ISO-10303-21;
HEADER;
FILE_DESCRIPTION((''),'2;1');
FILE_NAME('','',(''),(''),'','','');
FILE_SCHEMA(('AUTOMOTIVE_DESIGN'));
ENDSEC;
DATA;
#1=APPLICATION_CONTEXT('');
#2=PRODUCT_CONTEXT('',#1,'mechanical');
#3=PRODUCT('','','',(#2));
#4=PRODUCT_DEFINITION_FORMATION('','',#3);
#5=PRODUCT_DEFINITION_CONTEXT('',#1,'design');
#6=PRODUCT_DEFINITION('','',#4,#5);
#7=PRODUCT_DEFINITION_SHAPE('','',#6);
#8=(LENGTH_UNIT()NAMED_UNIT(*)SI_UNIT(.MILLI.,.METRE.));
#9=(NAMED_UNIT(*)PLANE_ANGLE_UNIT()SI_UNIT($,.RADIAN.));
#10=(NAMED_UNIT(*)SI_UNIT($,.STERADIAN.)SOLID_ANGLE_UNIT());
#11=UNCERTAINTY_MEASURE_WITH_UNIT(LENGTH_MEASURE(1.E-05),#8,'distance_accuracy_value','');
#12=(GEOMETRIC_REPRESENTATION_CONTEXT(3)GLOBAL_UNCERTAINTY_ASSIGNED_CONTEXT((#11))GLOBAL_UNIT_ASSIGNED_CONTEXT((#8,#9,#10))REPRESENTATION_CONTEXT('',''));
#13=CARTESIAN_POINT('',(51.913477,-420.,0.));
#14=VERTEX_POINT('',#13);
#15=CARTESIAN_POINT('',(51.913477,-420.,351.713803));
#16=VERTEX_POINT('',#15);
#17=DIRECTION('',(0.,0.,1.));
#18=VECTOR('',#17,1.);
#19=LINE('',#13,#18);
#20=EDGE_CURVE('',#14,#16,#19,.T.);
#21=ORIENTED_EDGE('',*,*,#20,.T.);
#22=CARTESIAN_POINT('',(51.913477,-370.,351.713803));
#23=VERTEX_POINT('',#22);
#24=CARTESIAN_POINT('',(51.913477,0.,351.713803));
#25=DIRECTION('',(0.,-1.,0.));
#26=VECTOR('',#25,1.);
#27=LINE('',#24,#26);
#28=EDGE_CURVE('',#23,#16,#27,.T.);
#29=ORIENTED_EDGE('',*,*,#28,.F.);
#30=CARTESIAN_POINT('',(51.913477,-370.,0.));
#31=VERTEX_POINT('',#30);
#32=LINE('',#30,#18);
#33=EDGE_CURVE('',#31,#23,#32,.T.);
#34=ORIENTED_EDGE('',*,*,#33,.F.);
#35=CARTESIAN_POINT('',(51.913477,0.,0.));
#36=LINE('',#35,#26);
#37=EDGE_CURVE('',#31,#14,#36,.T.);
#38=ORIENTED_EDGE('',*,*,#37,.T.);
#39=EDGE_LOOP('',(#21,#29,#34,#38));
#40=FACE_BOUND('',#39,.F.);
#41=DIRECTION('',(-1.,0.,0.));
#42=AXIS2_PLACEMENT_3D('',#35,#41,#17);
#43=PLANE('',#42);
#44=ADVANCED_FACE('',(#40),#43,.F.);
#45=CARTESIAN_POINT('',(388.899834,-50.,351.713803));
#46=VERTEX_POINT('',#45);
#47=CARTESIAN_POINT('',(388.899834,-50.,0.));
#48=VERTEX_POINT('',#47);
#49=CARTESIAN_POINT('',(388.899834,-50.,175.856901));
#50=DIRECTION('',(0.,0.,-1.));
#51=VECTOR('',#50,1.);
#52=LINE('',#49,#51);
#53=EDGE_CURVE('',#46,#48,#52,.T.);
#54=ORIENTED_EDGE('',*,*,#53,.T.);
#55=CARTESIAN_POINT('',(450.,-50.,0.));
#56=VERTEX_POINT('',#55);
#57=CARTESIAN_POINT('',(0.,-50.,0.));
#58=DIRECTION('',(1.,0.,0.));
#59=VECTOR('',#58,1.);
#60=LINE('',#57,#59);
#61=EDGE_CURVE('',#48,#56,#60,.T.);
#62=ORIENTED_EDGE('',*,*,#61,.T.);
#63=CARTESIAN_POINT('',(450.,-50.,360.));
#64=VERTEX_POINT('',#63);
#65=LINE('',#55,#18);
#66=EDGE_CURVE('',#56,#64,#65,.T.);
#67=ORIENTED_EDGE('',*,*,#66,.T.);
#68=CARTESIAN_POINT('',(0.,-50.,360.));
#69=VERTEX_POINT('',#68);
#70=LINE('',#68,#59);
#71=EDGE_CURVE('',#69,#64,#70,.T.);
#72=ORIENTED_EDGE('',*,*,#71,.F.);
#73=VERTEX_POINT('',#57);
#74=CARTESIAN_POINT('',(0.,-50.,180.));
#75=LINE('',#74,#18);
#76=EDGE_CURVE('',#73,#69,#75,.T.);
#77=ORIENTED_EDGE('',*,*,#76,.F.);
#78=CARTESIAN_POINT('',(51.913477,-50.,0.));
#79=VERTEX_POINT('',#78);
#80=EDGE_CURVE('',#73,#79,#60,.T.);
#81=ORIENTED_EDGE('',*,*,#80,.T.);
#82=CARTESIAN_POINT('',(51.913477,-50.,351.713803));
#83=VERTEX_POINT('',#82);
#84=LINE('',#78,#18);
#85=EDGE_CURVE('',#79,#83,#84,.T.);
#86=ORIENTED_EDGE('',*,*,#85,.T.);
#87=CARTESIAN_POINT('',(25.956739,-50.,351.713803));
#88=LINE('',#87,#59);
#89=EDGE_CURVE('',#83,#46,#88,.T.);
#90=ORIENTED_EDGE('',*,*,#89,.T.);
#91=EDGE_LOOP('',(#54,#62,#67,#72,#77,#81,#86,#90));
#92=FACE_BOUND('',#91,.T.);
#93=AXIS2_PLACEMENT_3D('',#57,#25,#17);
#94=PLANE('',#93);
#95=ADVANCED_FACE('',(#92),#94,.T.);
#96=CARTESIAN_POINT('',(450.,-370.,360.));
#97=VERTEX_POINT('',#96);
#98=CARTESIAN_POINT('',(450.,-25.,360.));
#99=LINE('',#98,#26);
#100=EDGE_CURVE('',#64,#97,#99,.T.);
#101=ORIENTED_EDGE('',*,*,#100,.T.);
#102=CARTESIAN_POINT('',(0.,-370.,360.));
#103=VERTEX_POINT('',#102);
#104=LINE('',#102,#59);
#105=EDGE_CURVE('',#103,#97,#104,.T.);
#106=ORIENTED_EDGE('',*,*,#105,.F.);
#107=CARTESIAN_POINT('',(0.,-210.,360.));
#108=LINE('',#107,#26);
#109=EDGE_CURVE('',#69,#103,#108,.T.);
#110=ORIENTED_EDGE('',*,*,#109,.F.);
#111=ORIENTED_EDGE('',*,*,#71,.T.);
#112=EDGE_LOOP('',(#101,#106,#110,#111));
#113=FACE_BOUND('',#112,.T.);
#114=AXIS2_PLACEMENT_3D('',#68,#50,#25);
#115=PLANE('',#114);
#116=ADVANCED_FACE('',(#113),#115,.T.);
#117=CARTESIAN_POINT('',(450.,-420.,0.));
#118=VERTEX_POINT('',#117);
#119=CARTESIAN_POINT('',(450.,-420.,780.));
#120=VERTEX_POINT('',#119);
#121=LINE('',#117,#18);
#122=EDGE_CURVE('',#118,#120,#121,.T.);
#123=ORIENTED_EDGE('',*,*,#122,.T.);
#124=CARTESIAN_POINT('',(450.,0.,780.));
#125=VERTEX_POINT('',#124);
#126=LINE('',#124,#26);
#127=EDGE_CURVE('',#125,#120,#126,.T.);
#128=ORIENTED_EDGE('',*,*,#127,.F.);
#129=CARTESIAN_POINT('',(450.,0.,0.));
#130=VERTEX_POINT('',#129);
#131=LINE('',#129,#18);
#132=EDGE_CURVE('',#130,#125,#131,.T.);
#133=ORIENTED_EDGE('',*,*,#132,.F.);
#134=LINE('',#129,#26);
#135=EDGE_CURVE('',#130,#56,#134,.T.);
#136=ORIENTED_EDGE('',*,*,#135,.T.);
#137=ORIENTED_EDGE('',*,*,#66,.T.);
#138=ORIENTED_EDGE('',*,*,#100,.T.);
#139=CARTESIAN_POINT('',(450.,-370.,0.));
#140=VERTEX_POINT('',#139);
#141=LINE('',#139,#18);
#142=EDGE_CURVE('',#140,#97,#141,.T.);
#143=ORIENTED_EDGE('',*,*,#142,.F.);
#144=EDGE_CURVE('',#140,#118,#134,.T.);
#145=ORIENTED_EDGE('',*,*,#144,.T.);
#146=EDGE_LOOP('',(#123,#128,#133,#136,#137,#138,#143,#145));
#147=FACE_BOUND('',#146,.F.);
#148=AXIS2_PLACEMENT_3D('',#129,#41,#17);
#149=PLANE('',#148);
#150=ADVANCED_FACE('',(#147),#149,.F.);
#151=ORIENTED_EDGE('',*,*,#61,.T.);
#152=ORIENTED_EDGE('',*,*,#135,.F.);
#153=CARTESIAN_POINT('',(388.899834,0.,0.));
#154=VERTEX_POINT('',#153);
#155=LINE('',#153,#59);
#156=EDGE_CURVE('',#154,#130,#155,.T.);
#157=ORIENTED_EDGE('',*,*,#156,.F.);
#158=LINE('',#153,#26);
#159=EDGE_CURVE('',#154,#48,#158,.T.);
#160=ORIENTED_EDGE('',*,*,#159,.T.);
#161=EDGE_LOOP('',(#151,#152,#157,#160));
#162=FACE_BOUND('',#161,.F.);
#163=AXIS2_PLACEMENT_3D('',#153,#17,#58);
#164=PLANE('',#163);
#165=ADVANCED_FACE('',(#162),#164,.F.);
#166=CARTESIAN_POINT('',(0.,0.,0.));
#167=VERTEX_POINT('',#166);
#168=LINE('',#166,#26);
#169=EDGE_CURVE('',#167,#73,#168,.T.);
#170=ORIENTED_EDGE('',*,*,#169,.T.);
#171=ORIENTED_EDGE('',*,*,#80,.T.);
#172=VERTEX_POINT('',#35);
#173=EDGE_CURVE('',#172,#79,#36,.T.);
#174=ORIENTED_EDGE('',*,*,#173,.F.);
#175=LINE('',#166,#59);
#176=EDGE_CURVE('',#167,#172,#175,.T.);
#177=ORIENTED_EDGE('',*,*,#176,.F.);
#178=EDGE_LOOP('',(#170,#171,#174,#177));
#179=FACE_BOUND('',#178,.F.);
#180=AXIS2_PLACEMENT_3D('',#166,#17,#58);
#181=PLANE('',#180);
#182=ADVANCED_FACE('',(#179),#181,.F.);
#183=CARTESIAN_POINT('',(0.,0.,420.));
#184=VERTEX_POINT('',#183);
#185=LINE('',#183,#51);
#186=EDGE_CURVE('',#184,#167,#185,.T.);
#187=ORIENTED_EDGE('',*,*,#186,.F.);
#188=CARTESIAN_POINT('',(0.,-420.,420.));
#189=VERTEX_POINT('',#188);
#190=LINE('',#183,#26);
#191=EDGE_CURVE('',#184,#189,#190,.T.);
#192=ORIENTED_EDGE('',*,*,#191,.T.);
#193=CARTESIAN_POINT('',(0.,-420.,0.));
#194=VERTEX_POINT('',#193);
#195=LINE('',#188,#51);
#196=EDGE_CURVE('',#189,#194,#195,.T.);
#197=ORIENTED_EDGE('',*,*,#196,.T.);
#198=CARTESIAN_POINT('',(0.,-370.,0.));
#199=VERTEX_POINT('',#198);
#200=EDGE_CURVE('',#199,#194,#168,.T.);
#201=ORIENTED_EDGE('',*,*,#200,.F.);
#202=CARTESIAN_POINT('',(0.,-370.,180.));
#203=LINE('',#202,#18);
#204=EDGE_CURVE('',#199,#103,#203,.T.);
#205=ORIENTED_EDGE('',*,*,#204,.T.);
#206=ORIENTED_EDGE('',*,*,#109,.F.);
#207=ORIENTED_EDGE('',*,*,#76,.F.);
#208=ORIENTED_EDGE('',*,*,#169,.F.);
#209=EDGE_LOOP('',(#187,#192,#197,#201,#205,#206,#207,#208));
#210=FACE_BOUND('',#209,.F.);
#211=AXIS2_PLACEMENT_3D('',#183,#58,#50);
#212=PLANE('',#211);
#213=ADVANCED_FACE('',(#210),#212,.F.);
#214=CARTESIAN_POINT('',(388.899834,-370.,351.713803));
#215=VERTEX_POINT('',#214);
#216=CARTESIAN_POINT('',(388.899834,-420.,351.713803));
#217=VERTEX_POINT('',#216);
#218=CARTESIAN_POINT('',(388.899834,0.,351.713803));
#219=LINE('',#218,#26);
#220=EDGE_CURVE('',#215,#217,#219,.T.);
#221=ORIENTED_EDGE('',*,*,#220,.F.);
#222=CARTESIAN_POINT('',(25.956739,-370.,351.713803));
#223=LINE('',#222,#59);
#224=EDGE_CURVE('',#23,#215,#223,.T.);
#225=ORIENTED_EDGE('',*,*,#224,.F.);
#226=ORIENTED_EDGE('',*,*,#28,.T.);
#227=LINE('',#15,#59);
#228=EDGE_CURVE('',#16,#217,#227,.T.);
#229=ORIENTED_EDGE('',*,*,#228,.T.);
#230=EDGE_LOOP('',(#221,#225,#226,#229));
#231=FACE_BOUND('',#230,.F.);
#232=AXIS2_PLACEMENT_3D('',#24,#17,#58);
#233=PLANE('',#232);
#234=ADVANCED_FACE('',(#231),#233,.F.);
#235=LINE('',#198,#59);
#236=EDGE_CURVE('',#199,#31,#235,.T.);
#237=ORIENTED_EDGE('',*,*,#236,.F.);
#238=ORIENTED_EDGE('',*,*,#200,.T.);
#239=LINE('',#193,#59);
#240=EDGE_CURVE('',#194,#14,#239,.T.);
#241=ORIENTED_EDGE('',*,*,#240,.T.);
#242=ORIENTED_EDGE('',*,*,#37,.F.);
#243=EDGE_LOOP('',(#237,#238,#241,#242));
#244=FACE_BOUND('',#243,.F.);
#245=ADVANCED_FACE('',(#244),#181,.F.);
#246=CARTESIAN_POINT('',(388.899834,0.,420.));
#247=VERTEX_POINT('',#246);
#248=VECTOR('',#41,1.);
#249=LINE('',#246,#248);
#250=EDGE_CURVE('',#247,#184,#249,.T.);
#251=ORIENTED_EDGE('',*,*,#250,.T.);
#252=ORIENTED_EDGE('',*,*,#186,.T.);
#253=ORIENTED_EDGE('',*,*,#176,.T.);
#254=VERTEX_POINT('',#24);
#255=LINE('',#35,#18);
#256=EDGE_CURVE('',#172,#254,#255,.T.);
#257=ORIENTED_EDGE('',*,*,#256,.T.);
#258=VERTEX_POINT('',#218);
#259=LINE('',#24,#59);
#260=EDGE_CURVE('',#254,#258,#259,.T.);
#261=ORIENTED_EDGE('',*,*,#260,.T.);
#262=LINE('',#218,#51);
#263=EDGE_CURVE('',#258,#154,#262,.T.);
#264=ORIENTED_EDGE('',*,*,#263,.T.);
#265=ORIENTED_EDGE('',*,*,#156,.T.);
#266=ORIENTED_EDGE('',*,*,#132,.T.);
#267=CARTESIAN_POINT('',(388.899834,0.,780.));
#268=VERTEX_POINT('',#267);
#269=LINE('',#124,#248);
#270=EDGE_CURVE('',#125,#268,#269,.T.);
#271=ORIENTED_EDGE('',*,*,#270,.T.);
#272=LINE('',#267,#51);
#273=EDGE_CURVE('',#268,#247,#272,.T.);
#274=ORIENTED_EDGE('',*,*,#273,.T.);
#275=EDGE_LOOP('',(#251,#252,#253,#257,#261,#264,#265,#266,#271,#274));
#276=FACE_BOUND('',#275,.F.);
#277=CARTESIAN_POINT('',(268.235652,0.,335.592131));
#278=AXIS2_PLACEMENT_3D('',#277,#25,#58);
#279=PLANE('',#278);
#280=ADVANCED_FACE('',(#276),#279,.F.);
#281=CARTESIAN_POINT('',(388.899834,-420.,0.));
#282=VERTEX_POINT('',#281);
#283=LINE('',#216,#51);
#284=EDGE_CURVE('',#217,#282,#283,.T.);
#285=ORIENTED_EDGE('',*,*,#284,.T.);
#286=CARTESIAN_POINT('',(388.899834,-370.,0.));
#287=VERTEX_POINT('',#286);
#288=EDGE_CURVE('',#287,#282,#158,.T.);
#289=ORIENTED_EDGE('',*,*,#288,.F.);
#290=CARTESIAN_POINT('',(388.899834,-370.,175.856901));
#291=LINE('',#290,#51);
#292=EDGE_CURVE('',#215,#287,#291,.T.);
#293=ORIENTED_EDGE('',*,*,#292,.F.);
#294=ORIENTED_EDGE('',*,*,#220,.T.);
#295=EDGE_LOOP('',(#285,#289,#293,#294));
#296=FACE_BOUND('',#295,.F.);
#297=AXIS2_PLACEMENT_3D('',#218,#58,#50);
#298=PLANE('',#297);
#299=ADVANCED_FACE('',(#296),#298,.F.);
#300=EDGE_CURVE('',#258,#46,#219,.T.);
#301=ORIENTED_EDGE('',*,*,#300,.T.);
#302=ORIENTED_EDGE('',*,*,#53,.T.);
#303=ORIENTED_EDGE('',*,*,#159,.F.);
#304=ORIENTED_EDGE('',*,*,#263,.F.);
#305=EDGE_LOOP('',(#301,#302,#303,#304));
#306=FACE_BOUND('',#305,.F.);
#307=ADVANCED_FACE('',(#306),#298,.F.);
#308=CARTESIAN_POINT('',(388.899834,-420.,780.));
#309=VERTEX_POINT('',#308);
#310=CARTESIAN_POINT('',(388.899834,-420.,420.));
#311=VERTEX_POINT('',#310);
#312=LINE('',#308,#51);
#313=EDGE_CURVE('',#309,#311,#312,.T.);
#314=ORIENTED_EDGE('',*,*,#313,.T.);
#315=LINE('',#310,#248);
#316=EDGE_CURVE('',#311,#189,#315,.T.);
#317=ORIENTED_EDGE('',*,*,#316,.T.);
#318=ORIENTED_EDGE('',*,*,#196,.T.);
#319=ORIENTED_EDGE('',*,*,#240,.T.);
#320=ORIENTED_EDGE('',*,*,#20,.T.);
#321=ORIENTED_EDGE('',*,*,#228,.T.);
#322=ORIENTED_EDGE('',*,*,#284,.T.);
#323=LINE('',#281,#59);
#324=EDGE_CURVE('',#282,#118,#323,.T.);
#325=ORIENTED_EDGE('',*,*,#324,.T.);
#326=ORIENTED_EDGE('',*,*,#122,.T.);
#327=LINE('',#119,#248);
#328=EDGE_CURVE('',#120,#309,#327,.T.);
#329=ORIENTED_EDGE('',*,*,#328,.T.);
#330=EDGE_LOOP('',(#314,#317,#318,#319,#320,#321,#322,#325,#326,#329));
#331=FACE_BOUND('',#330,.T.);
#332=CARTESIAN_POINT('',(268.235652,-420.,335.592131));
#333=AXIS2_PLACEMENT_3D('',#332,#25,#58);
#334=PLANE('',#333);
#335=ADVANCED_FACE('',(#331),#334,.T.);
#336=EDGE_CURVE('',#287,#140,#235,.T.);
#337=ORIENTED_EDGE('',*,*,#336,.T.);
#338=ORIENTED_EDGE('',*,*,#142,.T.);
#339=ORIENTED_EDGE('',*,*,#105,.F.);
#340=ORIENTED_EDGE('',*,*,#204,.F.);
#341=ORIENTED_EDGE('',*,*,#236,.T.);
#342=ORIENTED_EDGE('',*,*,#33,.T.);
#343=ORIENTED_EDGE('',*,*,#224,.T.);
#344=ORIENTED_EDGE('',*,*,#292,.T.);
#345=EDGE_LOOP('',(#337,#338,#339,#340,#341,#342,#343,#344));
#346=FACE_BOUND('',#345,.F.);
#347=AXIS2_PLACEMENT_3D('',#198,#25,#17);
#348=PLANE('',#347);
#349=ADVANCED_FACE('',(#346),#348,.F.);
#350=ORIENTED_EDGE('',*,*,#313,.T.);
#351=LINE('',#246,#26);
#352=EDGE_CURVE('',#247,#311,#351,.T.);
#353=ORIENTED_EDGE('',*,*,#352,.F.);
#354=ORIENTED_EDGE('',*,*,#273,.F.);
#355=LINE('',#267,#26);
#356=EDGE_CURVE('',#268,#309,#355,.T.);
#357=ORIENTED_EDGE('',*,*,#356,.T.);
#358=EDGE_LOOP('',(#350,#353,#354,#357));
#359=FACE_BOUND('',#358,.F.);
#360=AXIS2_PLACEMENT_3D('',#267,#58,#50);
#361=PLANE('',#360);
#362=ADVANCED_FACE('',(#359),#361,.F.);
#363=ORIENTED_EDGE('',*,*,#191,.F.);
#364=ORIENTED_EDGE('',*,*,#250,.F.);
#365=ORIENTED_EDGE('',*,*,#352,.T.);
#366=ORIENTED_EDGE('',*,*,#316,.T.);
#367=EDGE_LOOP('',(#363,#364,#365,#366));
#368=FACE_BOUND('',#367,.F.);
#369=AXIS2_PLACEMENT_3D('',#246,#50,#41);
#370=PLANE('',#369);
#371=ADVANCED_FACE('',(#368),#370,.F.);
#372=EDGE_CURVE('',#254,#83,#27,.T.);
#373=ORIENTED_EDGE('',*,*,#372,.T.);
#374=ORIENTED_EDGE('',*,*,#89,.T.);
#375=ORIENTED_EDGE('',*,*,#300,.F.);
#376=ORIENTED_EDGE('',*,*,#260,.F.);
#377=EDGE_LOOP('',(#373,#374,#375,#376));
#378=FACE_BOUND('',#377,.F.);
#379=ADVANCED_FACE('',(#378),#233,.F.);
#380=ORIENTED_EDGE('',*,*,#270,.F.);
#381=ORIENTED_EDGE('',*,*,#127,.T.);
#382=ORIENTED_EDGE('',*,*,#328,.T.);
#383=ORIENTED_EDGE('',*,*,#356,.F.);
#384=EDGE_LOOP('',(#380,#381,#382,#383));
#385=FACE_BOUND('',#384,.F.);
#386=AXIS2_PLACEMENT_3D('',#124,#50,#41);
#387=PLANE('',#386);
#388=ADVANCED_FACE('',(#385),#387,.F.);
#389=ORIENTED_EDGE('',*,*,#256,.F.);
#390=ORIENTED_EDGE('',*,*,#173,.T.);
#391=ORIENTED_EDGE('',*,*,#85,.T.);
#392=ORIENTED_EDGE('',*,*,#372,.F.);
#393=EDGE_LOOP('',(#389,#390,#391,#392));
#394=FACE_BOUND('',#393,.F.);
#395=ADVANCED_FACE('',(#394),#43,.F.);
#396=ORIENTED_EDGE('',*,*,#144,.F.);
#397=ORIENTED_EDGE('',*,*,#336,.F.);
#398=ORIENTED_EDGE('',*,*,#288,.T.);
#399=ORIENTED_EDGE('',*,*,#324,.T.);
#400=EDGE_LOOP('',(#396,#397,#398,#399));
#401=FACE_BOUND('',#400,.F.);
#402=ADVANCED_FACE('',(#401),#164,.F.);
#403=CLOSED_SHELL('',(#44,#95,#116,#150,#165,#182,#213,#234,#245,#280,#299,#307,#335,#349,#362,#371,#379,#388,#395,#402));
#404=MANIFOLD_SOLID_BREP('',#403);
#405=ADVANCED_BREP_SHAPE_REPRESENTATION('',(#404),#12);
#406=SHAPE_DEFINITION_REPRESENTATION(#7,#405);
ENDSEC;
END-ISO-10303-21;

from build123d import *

# Parameters (mm, degrees)
F1_DEPTH = 420
F2_W     = 320
F2_H     = 360
F3_DEPTH = 450.001


with BuildPart() as f1:
    # F0 (on Front) → F1 (new body)
    with BuildSketch(Plane.XZ):
        Polygon((0, 420), (0, 0), (51.913477, 0), (51.913477, 351.713803), (388.899834, 351.713803), (388.899834, 0), (450, 0), (450, 780), (388.899834, 780), (388.899834, 420), align=None)
    extrude(amount=F1_DEPTH)

    # F2 (on face) → F3 (cut, through all)
    with BuildSketch(Plane(origin=(0, 0, 0), x_dir=(0, -1, 0), z_dir=(-1, 0, 0))):
        with Locations((210, 180)):
            Rectangle(F2_W, F2_H)
    extrude(amount=-F3_DEPTH, mode=Mode.SUBTRACT)


solid = f1.part
